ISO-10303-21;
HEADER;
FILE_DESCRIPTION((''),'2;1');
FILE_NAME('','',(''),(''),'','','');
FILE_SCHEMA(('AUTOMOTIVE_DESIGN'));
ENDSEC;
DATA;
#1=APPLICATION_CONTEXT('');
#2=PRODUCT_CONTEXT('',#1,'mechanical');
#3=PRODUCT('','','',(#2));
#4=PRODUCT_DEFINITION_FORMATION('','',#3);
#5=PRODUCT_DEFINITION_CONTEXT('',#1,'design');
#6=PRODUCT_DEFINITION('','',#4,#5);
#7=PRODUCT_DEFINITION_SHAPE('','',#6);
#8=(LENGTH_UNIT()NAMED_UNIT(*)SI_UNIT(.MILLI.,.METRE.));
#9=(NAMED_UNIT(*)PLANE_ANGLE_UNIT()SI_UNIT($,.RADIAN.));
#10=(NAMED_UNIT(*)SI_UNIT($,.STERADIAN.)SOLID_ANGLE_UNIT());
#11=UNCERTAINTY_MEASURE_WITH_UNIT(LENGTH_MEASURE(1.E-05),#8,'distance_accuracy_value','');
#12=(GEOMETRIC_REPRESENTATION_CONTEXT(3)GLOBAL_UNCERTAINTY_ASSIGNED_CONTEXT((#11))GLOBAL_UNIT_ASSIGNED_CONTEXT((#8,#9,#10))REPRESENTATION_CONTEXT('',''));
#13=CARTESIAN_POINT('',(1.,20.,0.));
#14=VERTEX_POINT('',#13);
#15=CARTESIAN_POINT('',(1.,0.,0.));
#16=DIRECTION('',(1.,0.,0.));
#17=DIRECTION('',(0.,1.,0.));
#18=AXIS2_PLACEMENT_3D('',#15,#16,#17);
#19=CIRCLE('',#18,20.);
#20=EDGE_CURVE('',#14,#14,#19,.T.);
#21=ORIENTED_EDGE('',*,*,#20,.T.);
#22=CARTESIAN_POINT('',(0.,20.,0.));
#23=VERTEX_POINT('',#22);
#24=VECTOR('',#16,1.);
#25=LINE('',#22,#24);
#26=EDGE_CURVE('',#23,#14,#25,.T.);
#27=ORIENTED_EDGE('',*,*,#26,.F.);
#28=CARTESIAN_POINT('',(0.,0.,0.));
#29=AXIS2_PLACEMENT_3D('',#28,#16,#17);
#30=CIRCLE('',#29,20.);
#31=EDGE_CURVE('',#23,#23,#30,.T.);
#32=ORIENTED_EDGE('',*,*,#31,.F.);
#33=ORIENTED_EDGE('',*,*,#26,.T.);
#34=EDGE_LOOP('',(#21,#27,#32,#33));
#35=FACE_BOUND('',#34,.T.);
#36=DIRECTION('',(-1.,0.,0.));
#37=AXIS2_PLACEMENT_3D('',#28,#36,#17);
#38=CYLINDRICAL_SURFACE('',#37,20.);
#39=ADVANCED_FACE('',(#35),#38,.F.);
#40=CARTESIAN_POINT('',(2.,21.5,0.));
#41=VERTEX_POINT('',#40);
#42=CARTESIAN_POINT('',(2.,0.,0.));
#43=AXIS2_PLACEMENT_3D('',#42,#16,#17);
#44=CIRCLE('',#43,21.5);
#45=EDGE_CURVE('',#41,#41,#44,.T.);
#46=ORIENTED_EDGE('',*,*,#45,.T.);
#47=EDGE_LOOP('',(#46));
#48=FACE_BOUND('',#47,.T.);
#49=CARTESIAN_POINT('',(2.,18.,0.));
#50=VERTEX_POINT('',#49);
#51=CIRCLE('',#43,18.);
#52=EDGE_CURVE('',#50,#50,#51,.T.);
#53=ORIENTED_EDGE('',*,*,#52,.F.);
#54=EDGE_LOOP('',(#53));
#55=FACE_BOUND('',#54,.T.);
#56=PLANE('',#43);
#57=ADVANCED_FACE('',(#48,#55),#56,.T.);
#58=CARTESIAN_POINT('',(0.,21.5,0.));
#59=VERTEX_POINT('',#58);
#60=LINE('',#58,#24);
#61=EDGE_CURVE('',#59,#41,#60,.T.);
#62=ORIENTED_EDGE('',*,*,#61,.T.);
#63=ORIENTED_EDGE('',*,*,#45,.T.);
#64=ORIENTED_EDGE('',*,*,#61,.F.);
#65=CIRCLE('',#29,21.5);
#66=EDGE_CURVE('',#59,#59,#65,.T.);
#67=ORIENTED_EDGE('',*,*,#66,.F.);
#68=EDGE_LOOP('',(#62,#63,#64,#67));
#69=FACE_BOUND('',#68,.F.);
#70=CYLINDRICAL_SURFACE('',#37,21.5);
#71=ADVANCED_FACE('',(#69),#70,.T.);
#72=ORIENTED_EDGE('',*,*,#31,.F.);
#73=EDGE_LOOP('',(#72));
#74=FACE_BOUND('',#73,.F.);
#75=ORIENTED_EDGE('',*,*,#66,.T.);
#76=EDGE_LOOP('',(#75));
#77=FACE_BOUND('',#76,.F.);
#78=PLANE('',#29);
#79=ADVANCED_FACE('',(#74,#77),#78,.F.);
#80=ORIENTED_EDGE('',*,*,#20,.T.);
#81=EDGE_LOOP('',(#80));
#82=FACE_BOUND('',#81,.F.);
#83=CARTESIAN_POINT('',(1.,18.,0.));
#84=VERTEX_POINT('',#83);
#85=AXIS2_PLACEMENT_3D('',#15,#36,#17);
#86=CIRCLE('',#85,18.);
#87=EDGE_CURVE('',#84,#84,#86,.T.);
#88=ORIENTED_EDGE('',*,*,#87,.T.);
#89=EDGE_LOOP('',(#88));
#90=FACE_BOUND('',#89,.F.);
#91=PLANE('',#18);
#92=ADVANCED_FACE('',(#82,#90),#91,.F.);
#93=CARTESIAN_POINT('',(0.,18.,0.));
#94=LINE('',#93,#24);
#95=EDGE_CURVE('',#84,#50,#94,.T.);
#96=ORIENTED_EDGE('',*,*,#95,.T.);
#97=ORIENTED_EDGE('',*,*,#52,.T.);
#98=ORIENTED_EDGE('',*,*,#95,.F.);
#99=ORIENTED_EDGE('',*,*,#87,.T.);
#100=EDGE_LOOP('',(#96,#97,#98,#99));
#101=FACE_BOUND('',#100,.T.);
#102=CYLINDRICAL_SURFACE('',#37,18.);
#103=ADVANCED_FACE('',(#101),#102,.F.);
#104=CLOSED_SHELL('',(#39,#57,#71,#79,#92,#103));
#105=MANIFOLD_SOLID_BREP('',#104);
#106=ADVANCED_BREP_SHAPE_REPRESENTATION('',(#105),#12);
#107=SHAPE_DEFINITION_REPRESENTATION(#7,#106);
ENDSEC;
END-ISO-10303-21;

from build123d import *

# Parameters (mm, degrees)
F0_R     = 21.5
F0_R_2   = 18
F1_DEPTH = 2
F2_R     = 20
F2_R_2   = 15.707992
F3_DEPTH = 1


with BuildPart() as f1:
    # F0 (on Right) → F1 (new body)
    with BuildSketch(Plane.YZ):
        Circle(F0_R)
        Circle(F0_R_2, mode=Mode.SUBTRACT)
    extrude(amount=F1_DEPTH)

    # F2 (on Right) → F3 (cut)
    with BuildSketch(Plane.YZ):
        Circle(F2_R)
        Circle(F2_R_2, mode=Mode.SUBTRACT)
    extrude(amount=F3_DEPTH, mode=Mode.SUBTRACT)


solid = f1.part
